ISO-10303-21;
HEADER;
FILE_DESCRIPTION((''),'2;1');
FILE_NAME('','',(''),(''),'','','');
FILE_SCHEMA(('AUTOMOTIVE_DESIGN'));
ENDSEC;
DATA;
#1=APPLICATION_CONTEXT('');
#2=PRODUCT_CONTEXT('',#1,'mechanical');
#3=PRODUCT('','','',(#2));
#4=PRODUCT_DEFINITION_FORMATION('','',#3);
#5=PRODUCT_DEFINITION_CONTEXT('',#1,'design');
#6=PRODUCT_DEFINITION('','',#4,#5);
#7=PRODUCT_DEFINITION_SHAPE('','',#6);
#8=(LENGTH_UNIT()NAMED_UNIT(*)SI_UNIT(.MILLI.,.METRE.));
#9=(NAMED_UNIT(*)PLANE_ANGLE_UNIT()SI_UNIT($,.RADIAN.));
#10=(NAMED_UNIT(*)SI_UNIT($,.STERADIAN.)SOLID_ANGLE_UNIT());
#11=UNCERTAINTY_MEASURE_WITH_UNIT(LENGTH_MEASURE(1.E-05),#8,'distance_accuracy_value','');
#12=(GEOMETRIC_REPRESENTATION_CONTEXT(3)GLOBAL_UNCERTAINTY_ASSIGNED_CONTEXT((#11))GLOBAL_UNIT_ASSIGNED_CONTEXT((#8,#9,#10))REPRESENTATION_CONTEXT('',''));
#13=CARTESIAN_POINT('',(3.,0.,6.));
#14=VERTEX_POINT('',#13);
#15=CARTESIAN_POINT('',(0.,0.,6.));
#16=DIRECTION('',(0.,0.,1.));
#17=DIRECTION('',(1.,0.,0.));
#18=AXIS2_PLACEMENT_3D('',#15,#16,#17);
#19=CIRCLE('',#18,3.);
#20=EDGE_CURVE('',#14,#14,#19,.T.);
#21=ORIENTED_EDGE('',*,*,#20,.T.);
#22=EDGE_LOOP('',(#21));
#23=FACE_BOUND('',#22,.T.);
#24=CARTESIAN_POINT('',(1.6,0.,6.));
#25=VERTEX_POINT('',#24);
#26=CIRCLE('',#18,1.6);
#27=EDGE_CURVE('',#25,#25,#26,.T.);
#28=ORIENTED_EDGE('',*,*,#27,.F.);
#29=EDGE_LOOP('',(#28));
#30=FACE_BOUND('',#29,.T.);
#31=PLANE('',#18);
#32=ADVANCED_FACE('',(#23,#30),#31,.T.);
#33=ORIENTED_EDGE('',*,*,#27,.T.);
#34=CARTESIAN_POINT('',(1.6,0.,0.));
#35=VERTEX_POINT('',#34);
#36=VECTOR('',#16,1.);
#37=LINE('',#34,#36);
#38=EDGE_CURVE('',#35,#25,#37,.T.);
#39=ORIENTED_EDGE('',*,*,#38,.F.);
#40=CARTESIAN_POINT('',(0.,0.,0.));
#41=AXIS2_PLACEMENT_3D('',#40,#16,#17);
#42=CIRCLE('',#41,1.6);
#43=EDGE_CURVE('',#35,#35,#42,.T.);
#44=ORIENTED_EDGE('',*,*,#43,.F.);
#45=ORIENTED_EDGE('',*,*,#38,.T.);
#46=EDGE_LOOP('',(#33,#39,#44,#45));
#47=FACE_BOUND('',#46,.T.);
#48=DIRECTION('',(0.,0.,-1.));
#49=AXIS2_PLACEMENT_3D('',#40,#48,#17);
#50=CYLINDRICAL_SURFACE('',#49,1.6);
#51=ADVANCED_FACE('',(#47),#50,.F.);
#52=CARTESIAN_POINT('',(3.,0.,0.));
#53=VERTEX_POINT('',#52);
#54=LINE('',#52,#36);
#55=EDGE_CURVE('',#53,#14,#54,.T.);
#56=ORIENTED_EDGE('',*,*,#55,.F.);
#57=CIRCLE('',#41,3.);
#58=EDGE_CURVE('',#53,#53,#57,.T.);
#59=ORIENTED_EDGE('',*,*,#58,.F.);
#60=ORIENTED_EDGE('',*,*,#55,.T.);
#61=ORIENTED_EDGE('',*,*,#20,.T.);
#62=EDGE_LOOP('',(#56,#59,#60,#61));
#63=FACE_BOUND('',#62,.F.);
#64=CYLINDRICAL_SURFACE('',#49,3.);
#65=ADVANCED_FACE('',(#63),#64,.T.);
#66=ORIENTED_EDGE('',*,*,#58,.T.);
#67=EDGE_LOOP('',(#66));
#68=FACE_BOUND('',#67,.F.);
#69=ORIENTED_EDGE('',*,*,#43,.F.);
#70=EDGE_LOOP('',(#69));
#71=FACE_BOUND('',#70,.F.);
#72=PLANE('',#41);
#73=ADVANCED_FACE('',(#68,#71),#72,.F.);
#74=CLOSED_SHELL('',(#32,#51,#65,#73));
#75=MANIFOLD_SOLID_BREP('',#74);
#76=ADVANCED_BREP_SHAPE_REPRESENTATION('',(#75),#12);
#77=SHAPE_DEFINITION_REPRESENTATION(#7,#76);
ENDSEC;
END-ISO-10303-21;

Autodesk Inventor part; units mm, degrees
ref_plane "YZ Plane" through (0, 0, 0) normal (1, 0, 0) x (0, 1, 0)
ref_plane "XZ Plane" through (0, 0, 0) normal (0, 1, 0) x (-1, 0, 0)
ref_plane "XY Plane" through (0, 0, 0) normal (0, 0, 1) x (1, 0, 0)
sketch "Sketch1" plane through (0, 0, 0) normal (0, 0, 1) x (1, 0, 0)
  circle A0 centre (0, 0) radius 1.6
  circle A1 centre (0, 0) radius 3
  dimension "d0" = 3.2
  dimension "d1" = 6
extrude "Extrusion1" add sketch "Sketch1" along normal blind 6
properties part number "10_DriverBoard_Distancer"
